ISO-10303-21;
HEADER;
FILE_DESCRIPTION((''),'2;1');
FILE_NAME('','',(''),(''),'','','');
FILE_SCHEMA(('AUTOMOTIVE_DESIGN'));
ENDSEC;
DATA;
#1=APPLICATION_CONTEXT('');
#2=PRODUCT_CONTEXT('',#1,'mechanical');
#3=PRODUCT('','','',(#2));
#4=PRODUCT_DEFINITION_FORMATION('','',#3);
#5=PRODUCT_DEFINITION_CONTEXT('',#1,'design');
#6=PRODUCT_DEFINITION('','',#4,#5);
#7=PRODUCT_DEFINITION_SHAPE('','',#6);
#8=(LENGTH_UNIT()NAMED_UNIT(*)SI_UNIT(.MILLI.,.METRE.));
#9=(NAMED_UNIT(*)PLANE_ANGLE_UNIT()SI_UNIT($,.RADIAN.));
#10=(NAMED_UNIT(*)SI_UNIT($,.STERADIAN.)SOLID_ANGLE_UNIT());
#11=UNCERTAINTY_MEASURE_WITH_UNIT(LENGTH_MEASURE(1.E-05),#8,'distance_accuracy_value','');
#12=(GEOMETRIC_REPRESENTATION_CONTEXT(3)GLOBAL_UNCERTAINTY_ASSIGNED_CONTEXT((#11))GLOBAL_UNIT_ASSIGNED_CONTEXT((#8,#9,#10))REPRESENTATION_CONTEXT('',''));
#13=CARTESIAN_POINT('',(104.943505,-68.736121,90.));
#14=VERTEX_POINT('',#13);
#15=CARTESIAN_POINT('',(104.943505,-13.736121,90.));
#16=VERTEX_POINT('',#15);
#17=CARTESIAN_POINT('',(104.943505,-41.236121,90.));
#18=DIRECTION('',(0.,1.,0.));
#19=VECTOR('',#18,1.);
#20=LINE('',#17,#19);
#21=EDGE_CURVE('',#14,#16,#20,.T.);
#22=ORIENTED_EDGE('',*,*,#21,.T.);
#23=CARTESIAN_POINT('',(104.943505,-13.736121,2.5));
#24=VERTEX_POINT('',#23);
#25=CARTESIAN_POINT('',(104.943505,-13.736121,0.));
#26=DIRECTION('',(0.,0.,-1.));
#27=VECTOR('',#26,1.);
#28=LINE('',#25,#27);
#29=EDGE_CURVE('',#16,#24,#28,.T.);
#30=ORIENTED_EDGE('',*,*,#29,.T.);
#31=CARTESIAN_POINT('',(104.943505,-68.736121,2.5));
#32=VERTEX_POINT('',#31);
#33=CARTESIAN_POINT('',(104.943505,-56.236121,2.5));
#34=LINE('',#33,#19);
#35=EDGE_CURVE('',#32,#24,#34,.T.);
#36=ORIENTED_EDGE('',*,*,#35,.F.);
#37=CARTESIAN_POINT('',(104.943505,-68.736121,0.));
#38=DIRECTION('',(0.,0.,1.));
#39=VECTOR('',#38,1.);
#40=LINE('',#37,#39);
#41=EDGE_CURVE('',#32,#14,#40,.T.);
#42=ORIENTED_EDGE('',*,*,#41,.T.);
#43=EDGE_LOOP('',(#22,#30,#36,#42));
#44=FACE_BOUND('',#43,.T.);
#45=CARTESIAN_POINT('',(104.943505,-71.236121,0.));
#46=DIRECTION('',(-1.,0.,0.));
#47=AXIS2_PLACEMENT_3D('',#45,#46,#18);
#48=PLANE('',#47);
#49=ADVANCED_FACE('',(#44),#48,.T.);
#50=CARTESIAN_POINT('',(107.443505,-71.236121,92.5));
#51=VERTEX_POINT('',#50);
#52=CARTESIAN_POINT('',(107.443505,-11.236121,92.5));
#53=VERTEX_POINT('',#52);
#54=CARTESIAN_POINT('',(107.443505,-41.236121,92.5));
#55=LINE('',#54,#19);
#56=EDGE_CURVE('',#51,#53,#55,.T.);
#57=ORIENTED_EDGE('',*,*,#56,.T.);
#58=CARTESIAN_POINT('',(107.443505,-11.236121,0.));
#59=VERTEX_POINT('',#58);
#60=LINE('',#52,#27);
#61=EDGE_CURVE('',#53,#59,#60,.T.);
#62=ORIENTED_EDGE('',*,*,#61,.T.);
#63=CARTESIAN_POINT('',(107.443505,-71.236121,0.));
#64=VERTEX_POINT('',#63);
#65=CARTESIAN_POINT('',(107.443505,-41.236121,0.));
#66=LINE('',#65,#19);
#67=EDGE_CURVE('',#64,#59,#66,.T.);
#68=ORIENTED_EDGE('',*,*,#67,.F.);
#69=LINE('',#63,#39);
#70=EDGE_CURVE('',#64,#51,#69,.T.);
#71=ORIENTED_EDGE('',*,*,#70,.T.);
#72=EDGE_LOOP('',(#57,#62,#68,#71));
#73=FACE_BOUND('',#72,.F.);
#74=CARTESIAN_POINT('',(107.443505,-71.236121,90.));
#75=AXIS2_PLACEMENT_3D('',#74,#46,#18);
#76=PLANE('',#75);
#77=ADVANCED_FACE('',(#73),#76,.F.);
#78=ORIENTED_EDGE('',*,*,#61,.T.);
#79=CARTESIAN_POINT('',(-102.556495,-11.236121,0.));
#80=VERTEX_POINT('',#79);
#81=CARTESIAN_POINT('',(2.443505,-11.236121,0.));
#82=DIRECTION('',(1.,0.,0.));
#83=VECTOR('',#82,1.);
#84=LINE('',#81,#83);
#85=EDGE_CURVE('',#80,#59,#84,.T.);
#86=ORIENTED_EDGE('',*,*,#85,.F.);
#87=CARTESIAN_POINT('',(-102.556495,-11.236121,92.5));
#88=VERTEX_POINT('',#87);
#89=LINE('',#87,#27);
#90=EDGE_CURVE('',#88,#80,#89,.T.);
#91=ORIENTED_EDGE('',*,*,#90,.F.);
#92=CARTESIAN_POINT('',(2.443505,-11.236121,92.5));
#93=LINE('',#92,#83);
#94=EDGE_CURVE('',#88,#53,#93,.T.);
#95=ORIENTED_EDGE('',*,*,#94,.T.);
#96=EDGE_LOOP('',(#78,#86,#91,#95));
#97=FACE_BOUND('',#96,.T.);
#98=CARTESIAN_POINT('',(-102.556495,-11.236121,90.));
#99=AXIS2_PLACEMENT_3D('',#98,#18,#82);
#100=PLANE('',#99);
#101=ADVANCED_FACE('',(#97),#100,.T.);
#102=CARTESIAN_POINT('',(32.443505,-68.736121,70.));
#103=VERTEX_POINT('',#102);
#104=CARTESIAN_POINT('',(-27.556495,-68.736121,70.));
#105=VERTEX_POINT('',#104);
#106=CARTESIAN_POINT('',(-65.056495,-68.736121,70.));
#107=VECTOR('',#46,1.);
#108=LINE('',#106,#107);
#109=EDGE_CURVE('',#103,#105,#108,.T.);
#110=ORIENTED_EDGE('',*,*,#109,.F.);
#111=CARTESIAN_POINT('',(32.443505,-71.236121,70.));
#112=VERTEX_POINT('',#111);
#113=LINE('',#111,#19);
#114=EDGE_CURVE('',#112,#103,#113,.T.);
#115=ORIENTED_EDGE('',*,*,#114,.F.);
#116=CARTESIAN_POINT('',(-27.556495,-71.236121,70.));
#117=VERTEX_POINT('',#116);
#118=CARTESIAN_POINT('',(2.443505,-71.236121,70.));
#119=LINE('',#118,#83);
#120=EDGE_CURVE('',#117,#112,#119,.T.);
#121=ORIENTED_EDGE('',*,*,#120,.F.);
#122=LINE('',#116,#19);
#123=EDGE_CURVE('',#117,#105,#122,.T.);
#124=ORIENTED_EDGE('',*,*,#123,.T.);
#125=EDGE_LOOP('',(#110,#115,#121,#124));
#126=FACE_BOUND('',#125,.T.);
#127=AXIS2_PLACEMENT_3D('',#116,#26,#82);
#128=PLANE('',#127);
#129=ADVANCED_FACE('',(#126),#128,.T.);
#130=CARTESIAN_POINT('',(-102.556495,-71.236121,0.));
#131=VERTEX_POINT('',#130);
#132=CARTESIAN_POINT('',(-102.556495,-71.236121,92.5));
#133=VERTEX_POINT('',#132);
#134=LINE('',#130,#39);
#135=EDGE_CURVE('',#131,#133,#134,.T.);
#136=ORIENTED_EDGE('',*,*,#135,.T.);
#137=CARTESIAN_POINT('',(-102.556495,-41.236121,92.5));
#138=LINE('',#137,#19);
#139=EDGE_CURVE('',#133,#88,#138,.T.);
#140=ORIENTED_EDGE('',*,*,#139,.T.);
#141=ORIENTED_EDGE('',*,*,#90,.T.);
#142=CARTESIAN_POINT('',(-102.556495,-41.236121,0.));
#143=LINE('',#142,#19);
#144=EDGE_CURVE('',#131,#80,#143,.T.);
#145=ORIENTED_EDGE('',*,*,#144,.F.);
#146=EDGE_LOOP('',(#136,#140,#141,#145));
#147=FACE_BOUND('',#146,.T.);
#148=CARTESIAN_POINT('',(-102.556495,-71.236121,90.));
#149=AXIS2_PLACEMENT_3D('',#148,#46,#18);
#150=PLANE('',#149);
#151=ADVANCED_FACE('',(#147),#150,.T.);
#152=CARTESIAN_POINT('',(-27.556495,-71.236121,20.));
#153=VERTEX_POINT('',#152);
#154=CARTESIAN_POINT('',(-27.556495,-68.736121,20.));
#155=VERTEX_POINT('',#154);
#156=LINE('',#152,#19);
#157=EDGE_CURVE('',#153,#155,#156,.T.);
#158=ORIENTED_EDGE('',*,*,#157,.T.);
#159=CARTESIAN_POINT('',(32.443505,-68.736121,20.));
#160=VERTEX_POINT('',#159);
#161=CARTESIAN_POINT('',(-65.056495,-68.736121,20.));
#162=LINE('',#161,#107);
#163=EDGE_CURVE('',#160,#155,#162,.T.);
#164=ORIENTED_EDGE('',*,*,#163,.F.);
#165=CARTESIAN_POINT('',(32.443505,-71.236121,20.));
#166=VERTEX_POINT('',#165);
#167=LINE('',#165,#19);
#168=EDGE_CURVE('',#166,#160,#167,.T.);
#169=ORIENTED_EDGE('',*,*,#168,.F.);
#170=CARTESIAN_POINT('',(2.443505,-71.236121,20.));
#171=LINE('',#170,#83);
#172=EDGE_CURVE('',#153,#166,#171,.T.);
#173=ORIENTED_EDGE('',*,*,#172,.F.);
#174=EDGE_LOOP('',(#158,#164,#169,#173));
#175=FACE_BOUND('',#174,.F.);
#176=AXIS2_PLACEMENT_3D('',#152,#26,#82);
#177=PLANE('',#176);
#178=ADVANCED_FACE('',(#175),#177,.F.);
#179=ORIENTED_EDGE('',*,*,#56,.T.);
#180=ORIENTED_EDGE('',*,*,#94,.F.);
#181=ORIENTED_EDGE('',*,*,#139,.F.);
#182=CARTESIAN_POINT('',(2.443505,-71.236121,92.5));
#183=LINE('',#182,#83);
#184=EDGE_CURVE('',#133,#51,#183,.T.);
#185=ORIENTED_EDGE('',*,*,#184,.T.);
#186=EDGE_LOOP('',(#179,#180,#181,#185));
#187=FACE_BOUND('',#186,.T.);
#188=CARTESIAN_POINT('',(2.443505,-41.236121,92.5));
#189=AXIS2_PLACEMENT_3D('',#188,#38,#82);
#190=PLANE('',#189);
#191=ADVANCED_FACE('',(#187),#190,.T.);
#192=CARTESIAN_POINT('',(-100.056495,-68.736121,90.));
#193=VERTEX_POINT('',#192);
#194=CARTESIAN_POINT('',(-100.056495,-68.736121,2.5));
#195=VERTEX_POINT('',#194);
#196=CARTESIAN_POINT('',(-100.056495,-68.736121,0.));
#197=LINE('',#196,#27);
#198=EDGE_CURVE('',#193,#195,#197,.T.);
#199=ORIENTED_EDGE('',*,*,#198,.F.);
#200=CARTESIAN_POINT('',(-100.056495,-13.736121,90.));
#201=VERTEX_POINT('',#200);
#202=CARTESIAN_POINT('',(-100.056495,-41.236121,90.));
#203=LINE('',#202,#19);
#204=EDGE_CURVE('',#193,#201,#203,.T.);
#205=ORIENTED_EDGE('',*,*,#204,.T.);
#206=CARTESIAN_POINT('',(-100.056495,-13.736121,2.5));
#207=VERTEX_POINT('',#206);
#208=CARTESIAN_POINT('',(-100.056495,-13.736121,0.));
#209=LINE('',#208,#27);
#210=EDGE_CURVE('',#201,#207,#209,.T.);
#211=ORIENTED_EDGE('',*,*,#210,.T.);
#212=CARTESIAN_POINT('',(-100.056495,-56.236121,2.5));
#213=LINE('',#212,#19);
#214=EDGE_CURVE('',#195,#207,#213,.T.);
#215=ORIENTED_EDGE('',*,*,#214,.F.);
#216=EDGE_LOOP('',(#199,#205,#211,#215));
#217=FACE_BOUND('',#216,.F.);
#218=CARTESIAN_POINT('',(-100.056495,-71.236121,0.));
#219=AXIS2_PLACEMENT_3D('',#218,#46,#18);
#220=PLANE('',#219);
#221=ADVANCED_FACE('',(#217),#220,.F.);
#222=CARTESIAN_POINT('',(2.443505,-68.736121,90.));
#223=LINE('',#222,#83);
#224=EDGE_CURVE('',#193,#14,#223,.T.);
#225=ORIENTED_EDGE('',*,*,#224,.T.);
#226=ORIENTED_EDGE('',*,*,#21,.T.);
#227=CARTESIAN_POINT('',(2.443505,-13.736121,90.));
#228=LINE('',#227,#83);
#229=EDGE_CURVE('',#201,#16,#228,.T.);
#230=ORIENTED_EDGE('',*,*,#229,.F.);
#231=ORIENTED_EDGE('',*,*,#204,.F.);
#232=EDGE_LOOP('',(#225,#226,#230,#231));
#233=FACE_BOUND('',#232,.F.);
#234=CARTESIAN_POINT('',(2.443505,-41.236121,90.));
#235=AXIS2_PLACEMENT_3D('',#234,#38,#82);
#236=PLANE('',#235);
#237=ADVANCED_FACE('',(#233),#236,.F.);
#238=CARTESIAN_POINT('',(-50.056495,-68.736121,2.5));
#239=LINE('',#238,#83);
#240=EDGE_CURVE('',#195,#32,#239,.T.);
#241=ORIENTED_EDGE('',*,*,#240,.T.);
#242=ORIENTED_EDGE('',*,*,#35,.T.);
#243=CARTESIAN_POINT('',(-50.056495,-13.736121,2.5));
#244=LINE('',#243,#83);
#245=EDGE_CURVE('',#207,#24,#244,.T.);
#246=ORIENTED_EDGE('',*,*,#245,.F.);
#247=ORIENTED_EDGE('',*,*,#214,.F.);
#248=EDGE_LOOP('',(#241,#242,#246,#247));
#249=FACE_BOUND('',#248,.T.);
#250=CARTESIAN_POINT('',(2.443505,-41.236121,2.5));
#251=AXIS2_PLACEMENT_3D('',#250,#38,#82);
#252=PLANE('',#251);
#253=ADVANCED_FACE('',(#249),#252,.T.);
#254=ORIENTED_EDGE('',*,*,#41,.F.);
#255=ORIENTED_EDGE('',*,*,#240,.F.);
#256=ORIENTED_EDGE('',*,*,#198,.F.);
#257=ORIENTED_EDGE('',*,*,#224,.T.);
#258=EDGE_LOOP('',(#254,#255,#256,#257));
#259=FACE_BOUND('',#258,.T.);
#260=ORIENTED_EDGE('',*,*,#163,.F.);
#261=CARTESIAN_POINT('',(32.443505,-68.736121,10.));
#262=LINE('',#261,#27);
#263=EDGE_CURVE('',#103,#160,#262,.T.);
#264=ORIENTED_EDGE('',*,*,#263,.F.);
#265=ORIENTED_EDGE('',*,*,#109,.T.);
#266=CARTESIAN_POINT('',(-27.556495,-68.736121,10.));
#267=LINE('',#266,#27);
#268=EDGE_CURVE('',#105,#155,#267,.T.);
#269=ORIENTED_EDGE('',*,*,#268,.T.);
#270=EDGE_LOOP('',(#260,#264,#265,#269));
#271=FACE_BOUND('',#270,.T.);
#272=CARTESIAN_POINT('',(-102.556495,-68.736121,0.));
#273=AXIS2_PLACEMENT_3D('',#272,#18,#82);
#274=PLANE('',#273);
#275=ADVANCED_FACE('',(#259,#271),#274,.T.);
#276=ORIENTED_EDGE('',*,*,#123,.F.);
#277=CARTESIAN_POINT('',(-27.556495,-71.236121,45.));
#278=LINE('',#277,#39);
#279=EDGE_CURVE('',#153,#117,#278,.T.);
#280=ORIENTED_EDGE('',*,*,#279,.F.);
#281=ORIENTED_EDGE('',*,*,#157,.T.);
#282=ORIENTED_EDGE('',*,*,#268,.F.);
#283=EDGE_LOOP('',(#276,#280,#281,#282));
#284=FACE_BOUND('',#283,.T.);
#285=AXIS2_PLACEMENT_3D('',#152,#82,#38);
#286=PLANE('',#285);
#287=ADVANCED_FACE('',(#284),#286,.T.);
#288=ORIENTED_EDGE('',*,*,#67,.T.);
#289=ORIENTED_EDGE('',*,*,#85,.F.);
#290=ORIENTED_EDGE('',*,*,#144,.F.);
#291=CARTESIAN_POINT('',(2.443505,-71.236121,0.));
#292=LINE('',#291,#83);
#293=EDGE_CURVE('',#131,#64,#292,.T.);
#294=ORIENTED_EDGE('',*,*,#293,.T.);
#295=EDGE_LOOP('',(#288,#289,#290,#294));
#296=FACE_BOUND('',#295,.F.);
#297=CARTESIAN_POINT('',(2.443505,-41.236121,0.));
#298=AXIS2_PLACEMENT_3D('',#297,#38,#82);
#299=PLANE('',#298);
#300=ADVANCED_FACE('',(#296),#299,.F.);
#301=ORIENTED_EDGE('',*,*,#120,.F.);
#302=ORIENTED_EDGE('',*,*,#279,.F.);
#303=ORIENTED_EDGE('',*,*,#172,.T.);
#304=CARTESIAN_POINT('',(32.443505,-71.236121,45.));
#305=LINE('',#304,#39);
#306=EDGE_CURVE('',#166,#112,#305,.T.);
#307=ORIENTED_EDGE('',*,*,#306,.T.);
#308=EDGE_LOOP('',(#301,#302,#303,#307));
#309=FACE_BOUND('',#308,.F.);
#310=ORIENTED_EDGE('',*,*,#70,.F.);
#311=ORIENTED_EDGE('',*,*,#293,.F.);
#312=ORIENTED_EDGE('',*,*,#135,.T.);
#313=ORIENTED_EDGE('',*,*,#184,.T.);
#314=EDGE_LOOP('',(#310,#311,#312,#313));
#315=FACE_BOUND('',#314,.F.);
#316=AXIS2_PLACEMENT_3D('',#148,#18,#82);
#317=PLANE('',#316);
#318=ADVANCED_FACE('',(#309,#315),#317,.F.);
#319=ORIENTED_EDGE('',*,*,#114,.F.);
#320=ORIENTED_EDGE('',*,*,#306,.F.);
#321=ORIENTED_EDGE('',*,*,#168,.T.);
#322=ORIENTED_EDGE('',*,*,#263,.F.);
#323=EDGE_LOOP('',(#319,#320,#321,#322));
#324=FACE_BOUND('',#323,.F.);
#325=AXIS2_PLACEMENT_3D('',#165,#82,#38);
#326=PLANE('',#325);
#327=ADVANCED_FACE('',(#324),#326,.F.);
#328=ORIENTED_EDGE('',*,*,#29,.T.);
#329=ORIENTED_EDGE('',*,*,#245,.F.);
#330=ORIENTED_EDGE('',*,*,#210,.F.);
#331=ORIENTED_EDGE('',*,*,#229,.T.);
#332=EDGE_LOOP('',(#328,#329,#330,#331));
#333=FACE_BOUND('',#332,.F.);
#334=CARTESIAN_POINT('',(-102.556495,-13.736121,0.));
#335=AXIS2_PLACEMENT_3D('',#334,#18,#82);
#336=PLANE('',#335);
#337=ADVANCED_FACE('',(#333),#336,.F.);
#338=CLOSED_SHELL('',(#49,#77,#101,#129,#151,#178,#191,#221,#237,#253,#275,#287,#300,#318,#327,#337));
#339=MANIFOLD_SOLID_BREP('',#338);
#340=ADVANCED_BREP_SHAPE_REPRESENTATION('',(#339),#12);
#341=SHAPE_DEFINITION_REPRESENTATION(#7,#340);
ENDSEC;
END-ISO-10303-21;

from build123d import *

# Parameters (mm, degrees)
F0_W     = 210
F0_H     = 60
F1_DEPTH = 90
F2_T     = -2.5
F3_W     = 210
F3_H     = 60
F3_W_2   = 205
F3_H_2   = 55
F4_DEPTH = 2.5
F5_W     = 60
F5_H     = 50
F6_DEPTH = 25


with BuildPart() as f1:
    # F0 (on Top) → F1 (new body)
    with BuildSketch(Plane.XY):
        with Locations((2.4435054511, -41.2361205323)):
            Rectangle(F0_W, F0_H)
    extrude(amount=F1_DEPTH)

    # F2
    f2_openings = [f1.faces().sort_by_distance(p)[0] for p in [
        (2.443505, -41.236121, 90),
    ]]
    offset(amount=F2_T, openings=f2_openings)

    # F3 (on face) → F4 (join)
    with BuildSketch(Plane.XY.offset(90)):
        with Locations((2.4435054511, -41.2361205323)):
            Rectangle(F3_W, F3_H)
        with Locations((2.4435054511, -41.2361205323)):
            Rectangle(F3_W_2, F3_H_2, mode=Mode.SUBTRACT)
        with Locations((2.4435054511, -41.2361205323)):
            Rectangle(F3_W_2, F3_H_2)
    extrude(amount=F4_DEPTH)

    # F5 (on face) → F6 (cut)
    with BuildSketch(Plane.XZ.offset(71.2361205323)):
        with Locations((2.4435054511, 45)):
            Rectangle(F5_W, F5_H)
    extrude(amount=-F6_DEPTH, mode=Mode.SUBTRACT)


solid = f1.part
